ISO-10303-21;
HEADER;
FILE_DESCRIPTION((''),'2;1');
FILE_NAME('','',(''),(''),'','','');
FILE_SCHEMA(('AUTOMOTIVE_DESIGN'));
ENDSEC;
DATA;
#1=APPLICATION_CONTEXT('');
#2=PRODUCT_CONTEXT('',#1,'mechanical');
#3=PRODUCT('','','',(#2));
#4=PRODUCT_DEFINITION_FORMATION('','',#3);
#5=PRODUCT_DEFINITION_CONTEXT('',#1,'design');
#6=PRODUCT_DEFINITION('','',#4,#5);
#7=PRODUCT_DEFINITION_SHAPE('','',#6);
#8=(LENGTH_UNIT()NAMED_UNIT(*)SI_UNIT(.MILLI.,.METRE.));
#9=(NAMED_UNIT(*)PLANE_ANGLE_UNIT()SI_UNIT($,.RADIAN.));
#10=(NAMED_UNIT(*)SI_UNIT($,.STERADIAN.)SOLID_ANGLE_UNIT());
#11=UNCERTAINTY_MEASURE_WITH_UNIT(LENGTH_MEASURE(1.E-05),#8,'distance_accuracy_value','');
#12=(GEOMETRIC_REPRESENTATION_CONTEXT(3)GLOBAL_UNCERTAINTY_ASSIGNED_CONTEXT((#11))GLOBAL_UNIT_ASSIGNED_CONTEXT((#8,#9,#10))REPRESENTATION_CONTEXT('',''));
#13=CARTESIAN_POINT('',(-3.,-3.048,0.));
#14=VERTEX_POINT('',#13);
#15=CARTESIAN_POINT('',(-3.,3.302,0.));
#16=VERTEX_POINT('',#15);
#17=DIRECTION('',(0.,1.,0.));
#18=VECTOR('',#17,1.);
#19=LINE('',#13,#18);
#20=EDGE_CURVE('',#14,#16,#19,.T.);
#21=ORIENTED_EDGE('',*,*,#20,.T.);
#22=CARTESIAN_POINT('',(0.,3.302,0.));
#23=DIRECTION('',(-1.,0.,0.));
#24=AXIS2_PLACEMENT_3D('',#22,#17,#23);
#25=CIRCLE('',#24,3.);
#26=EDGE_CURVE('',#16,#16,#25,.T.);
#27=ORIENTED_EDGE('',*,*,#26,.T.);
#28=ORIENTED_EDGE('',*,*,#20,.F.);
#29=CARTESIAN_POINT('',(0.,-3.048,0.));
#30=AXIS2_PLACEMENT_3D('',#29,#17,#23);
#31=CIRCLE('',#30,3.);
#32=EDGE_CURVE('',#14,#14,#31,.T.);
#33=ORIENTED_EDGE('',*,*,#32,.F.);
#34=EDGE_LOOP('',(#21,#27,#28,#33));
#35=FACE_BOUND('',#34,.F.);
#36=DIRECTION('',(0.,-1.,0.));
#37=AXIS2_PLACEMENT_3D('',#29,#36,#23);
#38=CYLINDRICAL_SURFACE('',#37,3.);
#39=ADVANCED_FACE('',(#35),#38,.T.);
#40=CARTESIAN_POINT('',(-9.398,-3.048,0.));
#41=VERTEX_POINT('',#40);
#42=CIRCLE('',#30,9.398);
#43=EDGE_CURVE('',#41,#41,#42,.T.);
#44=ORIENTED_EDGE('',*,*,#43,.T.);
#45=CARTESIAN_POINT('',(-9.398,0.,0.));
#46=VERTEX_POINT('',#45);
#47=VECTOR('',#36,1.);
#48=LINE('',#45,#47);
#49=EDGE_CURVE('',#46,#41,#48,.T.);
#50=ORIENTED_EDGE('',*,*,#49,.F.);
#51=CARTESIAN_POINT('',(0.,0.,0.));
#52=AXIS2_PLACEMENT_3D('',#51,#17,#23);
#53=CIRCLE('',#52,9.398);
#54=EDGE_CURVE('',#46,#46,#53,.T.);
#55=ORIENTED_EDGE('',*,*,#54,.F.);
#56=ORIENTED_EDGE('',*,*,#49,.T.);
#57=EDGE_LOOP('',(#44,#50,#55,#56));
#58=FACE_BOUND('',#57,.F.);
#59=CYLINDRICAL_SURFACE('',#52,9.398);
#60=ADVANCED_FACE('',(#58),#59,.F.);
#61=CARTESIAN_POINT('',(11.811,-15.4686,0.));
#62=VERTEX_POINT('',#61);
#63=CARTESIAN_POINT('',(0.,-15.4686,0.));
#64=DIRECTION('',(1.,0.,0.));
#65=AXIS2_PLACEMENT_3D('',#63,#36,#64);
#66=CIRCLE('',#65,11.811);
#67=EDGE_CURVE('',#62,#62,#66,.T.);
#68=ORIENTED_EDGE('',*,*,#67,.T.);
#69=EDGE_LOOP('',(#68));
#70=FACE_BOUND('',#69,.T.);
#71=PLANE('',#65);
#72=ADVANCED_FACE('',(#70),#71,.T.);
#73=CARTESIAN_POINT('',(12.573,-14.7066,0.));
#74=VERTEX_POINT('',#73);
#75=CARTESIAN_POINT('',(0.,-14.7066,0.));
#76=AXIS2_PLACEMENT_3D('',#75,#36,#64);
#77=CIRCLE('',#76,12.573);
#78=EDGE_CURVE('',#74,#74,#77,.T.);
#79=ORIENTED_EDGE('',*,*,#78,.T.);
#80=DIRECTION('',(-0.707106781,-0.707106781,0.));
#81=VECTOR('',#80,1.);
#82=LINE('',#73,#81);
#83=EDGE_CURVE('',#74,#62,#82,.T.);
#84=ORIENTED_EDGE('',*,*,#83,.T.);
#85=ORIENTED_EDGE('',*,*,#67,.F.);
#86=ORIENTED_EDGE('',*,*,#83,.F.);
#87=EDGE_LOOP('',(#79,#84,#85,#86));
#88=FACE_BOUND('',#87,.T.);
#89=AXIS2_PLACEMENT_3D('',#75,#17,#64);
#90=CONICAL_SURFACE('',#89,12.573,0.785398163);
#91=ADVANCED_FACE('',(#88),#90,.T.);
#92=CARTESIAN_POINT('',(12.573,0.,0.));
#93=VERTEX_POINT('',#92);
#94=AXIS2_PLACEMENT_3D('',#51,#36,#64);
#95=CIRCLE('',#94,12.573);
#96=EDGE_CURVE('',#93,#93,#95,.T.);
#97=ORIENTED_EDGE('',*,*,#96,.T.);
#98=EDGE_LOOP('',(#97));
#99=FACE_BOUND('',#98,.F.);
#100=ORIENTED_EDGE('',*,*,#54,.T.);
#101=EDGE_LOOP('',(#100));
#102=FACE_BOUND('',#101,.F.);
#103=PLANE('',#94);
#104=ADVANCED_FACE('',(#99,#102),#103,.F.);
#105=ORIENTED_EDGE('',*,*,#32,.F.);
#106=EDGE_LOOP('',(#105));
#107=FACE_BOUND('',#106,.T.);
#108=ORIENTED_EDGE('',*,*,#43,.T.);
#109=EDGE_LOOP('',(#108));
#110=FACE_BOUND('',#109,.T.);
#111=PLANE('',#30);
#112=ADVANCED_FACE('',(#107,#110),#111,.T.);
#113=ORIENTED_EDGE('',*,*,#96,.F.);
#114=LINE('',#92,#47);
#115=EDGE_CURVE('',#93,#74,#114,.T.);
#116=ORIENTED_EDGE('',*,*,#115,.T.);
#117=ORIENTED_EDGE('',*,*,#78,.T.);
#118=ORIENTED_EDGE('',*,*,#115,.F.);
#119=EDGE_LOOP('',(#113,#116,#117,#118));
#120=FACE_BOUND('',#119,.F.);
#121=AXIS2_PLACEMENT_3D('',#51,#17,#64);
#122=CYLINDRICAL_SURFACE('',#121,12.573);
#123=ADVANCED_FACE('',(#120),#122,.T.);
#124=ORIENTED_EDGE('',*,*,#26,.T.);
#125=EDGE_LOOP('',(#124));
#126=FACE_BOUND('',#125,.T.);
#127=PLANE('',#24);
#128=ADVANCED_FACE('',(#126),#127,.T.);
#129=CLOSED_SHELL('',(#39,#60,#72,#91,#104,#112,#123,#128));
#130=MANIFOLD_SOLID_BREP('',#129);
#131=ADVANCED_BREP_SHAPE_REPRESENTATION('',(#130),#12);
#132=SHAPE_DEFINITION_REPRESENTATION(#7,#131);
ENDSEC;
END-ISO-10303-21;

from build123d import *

# Parameters (mm, degrees)
F0_R     = 12.573
F1_DEPTH = 15.4686
F2_R     = 9.398
F3_DEPTH = 3.048
F4_SIZE  = 0.762
F5_R     = 3
F6_DEPTH = 6.35


with BuildPart() as f1:
    # F0 (on Front) → F1 (new body)
    with BuildSketch(Plane.XZ):
        Circle(F0_R)
    extrude(amount=F1_DEPTH)

    # F2 (on face) → F3 (cut)
    with BuildSketch(Plane(origin=(0, 0, 0), x_dir=(-1, 0, 0), z_dir=(0, 1, 0))):
        Circle(F2_R)
    extrude(amount=-F3_DEPTH, mode=Mode.SUBTRACT)

    # F4
    f4_edges = [f1.edges().sort_by_distance(p)[0] for p in [
        (-12.573, -15.4686, 0),
    ]]
    chamfer(f4_edges, length=F4_SIZE)

    # F5 (on face) → F6 (join)
    with BuildSketch(Plane(origin=(0, -3.048, 0), x_dir=(-1, 0, 0), z_dir=(0, 1, 0))):
        Circle(F5_R)
    extrude(amount=F6_DEPTH)


solid = f1.part
